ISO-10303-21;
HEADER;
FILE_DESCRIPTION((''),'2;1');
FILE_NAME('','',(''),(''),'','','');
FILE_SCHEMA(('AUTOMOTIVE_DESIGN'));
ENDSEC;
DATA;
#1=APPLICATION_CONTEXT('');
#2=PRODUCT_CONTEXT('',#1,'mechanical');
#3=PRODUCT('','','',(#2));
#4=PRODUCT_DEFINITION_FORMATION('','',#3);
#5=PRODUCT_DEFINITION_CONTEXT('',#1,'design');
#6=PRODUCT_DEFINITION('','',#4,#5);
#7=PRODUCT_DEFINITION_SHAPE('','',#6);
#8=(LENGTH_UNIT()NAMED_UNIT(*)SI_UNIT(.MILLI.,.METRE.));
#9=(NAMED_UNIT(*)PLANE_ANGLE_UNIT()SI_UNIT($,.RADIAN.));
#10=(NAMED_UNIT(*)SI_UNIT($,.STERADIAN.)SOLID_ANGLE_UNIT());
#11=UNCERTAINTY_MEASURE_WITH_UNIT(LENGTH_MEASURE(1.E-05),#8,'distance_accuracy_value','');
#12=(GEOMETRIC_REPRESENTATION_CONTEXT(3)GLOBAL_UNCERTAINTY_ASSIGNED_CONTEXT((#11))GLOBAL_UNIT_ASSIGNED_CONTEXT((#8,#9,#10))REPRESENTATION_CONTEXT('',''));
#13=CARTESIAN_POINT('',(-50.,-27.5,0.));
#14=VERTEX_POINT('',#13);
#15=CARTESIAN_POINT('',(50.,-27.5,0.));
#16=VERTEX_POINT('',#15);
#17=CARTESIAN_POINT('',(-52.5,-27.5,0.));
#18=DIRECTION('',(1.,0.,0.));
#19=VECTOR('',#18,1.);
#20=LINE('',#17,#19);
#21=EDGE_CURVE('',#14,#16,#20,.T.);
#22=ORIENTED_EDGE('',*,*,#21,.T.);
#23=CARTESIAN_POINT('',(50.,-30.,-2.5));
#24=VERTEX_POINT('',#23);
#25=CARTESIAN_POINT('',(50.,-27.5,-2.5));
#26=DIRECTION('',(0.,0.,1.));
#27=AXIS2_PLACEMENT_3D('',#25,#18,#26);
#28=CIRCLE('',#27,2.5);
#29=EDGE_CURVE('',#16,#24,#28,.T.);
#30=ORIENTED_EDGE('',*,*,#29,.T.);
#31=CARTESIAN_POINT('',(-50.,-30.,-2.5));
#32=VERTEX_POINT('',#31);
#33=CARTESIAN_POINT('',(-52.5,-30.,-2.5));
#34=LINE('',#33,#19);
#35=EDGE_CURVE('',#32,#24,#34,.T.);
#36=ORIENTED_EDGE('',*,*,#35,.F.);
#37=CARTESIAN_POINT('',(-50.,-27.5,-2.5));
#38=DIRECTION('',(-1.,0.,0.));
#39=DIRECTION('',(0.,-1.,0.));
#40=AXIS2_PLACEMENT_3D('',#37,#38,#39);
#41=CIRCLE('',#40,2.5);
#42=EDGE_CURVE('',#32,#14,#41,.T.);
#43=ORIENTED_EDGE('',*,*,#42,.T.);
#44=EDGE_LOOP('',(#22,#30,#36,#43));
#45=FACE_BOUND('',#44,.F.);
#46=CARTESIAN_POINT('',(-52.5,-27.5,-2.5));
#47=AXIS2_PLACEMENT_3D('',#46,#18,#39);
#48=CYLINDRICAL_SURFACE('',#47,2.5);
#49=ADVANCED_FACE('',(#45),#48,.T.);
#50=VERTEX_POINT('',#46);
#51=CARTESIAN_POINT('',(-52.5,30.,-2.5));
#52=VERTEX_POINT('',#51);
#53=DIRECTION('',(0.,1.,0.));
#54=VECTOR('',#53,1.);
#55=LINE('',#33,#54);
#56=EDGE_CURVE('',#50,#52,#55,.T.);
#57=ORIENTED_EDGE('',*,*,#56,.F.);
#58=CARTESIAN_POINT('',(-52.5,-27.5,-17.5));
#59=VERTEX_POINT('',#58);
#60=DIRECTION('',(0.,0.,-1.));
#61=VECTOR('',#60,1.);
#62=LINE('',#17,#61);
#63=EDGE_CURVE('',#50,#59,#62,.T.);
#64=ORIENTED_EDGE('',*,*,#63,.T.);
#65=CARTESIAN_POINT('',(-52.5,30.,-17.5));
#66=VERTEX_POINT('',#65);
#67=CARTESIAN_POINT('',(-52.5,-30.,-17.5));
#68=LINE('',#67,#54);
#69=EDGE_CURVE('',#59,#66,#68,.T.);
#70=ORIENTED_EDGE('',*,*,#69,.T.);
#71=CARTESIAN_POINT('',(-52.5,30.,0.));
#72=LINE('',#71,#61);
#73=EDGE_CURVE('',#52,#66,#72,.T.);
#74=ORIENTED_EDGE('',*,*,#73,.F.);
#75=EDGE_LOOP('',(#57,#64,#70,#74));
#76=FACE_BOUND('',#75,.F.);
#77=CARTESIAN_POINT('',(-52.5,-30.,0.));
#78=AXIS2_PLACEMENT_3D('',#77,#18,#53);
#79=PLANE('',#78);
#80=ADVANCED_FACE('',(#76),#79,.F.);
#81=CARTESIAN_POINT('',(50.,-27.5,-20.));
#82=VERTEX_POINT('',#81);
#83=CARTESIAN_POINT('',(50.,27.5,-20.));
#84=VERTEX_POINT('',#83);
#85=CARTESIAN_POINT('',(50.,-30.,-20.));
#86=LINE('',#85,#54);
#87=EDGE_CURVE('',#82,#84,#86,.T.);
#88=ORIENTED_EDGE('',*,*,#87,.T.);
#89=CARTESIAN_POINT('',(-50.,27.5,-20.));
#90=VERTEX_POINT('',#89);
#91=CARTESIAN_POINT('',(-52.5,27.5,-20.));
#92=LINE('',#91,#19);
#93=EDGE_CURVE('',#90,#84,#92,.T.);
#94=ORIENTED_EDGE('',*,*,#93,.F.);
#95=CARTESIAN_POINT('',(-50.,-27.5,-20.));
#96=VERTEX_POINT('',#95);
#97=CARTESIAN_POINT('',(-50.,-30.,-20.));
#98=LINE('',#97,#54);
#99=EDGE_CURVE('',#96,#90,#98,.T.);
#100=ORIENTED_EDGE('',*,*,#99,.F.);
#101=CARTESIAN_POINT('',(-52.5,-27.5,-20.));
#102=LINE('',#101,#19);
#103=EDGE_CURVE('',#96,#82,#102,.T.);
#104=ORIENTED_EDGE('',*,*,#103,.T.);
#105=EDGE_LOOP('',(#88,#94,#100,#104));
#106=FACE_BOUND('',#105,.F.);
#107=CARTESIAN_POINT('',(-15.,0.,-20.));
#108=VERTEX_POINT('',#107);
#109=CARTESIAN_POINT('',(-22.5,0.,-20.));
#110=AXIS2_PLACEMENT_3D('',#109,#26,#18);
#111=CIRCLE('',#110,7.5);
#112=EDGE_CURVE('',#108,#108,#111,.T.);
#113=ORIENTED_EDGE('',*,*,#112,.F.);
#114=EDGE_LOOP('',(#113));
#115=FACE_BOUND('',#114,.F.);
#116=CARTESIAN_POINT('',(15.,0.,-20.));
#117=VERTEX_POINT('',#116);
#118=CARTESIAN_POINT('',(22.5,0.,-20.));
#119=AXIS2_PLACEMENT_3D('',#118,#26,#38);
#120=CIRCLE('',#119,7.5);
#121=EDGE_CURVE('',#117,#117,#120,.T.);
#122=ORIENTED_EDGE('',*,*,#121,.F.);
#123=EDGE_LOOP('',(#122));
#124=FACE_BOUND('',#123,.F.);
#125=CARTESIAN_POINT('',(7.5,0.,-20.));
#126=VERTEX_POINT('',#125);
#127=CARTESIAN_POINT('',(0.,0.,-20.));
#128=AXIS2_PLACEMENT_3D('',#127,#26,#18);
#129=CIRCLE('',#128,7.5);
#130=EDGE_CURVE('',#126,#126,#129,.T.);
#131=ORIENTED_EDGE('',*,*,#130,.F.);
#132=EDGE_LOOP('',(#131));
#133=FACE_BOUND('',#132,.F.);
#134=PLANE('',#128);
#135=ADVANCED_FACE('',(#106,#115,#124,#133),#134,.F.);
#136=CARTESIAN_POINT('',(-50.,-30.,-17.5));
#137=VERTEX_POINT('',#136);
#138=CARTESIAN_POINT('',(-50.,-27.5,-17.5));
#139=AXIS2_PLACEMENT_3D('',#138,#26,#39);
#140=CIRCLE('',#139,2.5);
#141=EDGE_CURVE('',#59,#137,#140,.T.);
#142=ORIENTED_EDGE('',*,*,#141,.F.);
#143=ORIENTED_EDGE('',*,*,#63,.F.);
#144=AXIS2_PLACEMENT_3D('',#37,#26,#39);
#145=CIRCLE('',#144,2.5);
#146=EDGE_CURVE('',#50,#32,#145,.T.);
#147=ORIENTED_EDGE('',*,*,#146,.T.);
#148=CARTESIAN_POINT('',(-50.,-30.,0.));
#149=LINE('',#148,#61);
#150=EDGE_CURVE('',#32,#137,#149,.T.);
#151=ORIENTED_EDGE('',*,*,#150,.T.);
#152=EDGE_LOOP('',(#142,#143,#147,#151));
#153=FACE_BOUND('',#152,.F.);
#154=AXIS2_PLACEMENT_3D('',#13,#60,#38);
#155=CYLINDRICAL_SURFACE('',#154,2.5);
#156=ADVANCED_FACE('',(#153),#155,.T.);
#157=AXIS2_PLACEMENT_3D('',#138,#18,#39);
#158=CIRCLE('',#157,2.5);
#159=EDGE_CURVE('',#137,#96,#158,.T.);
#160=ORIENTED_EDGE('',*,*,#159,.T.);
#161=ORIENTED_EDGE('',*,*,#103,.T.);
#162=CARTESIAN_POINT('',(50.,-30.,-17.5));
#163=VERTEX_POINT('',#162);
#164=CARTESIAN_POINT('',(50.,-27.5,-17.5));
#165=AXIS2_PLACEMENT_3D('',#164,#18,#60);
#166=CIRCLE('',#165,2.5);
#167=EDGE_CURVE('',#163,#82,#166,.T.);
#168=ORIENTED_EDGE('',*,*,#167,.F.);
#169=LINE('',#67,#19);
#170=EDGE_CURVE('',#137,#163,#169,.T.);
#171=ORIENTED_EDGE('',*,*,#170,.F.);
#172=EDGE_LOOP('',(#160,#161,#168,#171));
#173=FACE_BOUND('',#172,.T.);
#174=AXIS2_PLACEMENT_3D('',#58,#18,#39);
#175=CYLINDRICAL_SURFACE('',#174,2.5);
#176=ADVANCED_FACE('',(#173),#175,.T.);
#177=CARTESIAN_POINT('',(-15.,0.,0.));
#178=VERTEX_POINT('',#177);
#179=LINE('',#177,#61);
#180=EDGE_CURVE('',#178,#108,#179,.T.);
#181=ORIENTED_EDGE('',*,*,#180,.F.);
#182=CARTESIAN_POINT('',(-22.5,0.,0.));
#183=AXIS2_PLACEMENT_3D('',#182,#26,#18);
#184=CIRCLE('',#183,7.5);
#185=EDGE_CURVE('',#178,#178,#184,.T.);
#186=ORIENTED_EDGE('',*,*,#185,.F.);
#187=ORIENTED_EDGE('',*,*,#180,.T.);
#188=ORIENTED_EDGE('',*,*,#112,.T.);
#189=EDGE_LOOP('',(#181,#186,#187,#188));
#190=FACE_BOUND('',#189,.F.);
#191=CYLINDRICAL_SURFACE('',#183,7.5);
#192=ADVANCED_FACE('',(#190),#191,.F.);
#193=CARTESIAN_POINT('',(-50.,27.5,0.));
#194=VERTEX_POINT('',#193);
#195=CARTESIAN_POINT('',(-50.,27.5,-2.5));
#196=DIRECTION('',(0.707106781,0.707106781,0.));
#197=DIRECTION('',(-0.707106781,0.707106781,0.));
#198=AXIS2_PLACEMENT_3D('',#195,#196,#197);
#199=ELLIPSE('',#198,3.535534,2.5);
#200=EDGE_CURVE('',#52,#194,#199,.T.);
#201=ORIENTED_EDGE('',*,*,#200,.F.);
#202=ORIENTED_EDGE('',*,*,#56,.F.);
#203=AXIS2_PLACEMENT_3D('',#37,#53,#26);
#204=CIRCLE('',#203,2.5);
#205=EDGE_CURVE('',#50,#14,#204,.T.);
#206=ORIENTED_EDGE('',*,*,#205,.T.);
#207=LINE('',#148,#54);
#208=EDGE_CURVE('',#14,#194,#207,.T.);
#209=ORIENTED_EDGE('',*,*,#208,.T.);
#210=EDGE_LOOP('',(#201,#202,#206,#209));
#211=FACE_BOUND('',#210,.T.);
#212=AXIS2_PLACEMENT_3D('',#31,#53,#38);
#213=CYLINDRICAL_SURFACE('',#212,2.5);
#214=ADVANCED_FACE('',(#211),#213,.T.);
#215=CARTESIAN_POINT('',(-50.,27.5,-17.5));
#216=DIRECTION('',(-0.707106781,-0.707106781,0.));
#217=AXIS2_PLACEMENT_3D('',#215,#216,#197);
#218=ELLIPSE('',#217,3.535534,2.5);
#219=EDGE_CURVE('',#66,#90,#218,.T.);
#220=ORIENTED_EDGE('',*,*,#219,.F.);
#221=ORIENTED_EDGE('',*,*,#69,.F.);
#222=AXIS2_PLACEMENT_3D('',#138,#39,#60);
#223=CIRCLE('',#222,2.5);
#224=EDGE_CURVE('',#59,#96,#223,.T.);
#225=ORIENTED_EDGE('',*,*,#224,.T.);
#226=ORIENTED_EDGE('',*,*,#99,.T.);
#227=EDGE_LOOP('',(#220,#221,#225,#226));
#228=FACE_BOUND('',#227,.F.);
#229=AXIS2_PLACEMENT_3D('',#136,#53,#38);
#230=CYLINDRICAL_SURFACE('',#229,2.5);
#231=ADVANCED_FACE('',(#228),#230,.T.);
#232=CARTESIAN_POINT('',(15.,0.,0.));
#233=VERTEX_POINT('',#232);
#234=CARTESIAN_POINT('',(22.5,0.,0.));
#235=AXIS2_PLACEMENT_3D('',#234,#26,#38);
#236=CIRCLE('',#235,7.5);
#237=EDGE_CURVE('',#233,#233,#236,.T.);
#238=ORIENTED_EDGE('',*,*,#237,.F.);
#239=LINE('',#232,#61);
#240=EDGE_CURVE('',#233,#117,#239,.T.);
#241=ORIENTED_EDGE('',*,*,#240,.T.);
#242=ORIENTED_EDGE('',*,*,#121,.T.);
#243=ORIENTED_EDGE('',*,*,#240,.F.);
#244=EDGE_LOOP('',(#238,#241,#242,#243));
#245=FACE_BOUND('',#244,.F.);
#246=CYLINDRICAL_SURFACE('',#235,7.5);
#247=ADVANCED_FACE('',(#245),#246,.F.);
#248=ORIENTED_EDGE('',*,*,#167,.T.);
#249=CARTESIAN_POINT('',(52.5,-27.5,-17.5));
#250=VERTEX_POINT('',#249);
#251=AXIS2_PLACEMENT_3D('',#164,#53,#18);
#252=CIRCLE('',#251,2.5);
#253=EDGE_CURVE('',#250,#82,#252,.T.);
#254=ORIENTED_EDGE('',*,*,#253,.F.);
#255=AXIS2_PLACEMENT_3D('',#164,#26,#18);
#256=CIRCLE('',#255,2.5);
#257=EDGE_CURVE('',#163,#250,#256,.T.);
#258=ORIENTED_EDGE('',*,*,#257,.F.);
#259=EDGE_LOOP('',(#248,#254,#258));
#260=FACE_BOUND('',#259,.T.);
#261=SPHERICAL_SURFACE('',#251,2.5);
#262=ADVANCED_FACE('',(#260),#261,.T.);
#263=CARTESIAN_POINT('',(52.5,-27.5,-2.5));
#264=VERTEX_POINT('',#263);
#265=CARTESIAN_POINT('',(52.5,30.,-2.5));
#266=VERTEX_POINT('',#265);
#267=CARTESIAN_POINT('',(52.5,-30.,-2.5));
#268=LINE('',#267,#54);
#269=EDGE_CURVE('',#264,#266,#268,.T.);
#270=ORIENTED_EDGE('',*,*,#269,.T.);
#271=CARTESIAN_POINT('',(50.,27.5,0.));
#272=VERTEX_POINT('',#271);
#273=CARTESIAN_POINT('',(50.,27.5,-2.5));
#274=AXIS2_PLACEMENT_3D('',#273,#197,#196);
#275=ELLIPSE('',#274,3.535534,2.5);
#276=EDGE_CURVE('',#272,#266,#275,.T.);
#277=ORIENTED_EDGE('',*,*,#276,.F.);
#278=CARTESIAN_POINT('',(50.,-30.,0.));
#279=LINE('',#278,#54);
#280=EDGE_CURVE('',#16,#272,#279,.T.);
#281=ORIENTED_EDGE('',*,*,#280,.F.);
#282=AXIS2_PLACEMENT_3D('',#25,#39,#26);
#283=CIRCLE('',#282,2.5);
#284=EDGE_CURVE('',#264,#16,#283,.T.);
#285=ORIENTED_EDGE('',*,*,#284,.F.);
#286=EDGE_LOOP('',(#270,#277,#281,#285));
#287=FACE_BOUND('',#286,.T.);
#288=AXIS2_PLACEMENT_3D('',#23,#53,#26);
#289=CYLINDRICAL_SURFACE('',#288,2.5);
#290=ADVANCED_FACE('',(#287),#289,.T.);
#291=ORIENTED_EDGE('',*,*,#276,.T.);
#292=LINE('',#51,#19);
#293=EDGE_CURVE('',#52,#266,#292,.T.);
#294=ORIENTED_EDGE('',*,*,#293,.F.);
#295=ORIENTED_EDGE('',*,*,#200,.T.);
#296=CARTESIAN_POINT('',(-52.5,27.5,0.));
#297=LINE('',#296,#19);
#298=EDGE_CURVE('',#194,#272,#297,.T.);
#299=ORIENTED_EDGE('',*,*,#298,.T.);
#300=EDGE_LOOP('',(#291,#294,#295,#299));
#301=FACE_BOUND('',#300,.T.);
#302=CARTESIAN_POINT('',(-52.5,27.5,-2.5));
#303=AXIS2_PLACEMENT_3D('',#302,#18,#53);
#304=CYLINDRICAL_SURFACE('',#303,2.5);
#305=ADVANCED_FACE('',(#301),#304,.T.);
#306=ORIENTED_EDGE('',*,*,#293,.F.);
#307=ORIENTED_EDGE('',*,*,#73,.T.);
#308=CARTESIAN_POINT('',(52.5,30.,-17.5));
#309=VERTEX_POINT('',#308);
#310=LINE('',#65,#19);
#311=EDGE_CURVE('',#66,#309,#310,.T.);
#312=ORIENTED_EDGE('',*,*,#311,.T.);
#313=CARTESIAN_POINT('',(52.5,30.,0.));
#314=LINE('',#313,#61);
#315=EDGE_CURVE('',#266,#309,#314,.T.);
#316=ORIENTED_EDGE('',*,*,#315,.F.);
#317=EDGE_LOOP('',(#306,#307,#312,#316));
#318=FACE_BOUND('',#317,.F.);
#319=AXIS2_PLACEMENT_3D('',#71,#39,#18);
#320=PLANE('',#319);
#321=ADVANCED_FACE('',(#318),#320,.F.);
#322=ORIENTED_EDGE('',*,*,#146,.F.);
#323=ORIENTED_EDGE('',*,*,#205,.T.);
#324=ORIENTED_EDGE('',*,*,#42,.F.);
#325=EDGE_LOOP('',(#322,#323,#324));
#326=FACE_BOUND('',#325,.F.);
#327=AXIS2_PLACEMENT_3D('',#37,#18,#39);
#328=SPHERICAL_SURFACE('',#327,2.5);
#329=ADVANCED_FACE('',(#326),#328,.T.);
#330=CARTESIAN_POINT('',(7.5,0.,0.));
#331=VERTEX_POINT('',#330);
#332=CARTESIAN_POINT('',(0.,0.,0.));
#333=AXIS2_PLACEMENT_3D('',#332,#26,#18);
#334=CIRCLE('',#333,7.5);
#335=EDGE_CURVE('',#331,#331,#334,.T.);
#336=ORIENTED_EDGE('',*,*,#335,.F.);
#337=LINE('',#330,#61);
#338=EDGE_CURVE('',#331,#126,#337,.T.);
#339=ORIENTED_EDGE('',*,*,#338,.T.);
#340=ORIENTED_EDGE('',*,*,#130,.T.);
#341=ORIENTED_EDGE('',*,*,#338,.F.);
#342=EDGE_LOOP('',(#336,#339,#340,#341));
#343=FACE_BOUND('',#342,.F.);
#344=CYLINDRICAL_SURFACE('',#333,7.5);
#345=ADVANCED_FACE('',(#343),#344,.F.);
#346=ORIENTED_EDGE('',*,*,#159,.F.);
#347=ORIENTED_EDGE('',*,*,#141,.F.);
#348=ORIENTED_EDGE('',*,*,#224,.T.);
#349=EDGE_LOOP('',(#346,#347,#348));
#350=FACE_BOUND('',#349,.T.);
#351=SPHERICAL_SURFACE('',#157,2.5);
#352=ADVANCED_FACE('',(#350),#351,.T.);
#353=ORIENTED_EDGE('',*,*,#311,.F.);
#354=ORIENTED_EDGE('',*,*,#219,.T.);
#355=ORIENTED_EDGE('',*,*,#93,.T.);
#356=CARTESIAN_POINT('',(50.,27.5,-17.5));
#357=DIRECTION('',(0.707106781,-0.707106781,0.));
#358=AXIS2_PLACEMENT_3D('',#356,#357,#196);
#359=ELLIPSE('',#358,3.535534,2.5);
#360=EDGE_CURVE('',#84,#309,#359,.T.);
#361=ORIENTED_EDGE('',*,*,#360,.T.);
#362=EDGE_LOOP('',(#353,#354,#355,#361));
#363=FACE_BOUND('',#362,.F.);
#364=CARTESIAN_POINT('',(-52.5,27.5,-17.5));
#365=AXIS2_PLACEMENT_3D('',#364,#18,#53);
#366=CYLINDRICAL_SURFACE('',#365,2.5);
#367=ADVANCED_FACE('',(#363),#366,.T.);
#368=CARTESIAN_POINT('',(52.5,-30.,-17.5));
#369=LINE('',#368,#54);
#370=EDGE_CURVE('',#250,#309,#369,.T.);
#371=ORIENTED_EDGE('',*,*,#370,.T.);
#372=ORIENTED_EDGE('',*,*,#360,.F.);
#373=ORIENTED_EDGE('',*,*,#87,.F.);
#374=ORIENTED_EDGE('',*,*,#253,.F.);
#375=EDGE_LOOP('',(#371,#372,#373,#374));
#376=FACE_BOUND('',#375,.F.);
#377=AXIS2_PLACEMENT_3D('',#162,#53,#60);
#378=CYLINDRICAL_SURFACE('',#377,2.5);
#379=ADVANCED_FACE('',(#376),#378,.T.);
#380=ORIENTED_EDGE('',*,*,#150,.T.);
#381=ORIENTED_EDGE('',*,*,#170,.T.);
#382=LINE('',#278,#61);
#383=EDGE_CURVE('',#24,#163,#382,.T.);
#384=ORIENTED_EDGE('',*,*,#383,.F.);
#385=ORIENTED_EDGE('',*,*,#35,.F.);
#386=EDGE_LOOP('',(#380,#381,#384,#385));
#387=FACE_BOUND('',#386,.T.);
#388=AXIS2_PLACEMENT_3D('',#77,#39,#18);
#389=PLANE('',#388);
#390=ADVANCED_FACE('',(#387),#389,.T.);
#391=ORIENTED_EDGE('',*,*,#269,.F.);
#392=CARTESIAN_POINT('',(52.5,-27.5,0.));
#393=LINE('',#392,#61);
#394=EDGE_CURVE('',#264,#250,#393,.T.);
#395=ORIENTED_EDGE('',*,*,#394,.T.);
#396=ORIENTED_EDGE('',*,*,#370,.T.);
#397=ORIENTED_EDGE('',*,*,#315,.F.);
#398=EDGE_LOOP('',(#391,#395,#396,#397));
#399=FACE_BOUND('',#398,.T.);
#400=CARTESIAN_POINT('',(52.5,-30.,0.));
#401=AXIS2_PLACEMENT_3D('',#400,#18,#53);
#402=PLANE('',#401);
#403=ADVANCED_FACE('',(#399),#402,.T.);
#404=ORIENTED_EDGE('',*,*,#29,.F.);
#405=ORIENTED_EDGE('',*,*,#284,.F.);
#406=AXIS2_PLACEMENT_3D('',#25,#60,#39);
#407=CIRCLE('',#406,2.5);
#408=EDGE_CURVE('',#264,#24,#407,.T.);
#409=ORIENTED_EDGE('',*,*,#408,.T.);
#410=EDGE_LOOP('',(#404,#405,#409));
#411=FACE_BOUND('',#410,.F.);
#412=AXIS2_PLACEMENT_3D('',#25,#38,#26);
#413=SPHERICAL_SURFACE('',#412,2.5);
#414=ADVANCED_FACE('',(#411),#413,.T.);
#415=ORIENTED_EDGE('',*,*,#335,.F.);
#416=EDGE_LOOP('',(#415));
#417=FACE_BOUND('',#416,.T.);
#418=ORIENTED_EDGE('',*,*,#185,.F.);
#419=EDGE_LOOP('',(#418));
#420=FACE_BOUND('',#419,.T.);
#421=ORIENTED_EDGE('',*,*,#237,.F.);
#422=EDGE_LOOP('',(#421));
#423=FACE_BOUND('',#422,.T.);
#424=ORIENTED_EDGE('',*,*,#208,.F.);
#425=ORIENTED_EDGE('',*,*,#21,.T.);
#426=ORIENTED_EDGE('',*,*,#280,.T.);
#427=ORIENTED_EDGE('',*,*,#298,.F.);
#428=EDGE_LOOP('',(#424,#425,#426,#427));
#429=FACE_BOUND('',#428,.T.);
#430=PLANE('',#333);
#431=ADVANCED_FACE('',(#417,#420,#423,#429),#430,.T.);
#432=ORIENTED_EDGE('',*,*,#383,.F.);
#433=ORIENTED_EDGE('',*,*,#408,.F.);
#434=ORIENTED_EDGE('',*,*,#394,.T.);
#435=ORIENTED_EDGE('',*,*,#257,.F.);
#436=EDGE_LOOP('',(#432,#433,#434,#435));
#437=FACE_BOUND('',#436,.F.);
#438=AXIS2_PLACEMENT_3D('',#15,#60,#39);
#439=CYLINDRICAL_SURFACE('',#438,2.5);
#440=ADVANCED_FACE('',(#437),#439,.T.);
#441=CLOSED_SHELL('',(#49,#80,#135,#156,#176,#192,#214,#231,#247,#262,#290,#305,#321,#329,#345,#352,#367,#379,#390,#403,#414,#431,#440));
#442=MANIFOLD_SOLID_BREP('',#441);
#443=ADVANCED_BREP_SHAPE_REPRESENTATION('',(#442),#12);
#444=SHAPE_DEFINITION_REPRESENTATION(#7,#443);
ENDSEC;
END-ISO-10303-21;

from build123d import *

# Parameters (mm, degrees)
F0_W     = 105
F0_H     = 60
F1_DEPTH = 20
F2_R     = 7.5
F3_DEPTH = 68.6
F4_DEPTH = 55.5
F5_R     = 2.5


with BuildPart() as f1:
    # F0 (on Top) → F1 (new body)
    with BuildSketch(Plane.XY):
        Rectangle(F0_W, F0_H)
    extrude(amount=-F1_DEPTH)

    # F2 (on face) → F3 (cut)
    with BuildSketch(Plane.XY):
        with BuildLine():
            ThreePointArc((-7.5, 0), (0, -7.5), (7.5, 0))
            ThreePointArc((7.5, 0), (0, 7.5), (-7.5, 0))
        make_face()
        with Locations((-22.5, 0)):
            Circle(F2_R)
        with BuildLine():
            ThreePointArc((30, 0), (22.5, 7.5), (15, 0))
            ThreePointArc((15, 0), (22.5, -7.5), (30, 0))
        make_face()
    extrude(amount=-F3_DEPTH, mode=Mode.SUBTRACT)

    # F2 (on face) → F4 (cut)
    with BuildSketch(Plane.XY):
        with BuildLine():
            ThreePointArc((-7.5, 0), (0, -7.5), (7.5, 0))
            ThreePointArc((7.5, 0), (0, 7.5), (-7.5, 0))
        make_face()
        with Locations((-22.5, 0)):
            Circle(F2_R)
        with BuildLine():
            ThreePointArc((30, 0), (22.5, 7.5), (15, 0))
            ThreePointArc((15, 0), (22.5, -7.5), (30, 0))
        make_face()
    extrude(amount=-F4_DEPTH, mode=Mode.SUBTRACT)

    # F5
    f5_edges = [f1.edges().sort_by_distance(p)[0] for p in [
        (0, -30, 0),
        (52.5, 0, 0),
        (52.5, 0, -20),
        (52.5, -30, -10),
        (0, -30, -20),
        (-52.5, -30, -10),
        (-52.5, 0, 0),
        (-52.5, 0, -20),
        (0, 30, 0),
        (0, 30, -20),
    ]]
    fillet(f5_edges, radius=F5_R)


solid = f1.part
